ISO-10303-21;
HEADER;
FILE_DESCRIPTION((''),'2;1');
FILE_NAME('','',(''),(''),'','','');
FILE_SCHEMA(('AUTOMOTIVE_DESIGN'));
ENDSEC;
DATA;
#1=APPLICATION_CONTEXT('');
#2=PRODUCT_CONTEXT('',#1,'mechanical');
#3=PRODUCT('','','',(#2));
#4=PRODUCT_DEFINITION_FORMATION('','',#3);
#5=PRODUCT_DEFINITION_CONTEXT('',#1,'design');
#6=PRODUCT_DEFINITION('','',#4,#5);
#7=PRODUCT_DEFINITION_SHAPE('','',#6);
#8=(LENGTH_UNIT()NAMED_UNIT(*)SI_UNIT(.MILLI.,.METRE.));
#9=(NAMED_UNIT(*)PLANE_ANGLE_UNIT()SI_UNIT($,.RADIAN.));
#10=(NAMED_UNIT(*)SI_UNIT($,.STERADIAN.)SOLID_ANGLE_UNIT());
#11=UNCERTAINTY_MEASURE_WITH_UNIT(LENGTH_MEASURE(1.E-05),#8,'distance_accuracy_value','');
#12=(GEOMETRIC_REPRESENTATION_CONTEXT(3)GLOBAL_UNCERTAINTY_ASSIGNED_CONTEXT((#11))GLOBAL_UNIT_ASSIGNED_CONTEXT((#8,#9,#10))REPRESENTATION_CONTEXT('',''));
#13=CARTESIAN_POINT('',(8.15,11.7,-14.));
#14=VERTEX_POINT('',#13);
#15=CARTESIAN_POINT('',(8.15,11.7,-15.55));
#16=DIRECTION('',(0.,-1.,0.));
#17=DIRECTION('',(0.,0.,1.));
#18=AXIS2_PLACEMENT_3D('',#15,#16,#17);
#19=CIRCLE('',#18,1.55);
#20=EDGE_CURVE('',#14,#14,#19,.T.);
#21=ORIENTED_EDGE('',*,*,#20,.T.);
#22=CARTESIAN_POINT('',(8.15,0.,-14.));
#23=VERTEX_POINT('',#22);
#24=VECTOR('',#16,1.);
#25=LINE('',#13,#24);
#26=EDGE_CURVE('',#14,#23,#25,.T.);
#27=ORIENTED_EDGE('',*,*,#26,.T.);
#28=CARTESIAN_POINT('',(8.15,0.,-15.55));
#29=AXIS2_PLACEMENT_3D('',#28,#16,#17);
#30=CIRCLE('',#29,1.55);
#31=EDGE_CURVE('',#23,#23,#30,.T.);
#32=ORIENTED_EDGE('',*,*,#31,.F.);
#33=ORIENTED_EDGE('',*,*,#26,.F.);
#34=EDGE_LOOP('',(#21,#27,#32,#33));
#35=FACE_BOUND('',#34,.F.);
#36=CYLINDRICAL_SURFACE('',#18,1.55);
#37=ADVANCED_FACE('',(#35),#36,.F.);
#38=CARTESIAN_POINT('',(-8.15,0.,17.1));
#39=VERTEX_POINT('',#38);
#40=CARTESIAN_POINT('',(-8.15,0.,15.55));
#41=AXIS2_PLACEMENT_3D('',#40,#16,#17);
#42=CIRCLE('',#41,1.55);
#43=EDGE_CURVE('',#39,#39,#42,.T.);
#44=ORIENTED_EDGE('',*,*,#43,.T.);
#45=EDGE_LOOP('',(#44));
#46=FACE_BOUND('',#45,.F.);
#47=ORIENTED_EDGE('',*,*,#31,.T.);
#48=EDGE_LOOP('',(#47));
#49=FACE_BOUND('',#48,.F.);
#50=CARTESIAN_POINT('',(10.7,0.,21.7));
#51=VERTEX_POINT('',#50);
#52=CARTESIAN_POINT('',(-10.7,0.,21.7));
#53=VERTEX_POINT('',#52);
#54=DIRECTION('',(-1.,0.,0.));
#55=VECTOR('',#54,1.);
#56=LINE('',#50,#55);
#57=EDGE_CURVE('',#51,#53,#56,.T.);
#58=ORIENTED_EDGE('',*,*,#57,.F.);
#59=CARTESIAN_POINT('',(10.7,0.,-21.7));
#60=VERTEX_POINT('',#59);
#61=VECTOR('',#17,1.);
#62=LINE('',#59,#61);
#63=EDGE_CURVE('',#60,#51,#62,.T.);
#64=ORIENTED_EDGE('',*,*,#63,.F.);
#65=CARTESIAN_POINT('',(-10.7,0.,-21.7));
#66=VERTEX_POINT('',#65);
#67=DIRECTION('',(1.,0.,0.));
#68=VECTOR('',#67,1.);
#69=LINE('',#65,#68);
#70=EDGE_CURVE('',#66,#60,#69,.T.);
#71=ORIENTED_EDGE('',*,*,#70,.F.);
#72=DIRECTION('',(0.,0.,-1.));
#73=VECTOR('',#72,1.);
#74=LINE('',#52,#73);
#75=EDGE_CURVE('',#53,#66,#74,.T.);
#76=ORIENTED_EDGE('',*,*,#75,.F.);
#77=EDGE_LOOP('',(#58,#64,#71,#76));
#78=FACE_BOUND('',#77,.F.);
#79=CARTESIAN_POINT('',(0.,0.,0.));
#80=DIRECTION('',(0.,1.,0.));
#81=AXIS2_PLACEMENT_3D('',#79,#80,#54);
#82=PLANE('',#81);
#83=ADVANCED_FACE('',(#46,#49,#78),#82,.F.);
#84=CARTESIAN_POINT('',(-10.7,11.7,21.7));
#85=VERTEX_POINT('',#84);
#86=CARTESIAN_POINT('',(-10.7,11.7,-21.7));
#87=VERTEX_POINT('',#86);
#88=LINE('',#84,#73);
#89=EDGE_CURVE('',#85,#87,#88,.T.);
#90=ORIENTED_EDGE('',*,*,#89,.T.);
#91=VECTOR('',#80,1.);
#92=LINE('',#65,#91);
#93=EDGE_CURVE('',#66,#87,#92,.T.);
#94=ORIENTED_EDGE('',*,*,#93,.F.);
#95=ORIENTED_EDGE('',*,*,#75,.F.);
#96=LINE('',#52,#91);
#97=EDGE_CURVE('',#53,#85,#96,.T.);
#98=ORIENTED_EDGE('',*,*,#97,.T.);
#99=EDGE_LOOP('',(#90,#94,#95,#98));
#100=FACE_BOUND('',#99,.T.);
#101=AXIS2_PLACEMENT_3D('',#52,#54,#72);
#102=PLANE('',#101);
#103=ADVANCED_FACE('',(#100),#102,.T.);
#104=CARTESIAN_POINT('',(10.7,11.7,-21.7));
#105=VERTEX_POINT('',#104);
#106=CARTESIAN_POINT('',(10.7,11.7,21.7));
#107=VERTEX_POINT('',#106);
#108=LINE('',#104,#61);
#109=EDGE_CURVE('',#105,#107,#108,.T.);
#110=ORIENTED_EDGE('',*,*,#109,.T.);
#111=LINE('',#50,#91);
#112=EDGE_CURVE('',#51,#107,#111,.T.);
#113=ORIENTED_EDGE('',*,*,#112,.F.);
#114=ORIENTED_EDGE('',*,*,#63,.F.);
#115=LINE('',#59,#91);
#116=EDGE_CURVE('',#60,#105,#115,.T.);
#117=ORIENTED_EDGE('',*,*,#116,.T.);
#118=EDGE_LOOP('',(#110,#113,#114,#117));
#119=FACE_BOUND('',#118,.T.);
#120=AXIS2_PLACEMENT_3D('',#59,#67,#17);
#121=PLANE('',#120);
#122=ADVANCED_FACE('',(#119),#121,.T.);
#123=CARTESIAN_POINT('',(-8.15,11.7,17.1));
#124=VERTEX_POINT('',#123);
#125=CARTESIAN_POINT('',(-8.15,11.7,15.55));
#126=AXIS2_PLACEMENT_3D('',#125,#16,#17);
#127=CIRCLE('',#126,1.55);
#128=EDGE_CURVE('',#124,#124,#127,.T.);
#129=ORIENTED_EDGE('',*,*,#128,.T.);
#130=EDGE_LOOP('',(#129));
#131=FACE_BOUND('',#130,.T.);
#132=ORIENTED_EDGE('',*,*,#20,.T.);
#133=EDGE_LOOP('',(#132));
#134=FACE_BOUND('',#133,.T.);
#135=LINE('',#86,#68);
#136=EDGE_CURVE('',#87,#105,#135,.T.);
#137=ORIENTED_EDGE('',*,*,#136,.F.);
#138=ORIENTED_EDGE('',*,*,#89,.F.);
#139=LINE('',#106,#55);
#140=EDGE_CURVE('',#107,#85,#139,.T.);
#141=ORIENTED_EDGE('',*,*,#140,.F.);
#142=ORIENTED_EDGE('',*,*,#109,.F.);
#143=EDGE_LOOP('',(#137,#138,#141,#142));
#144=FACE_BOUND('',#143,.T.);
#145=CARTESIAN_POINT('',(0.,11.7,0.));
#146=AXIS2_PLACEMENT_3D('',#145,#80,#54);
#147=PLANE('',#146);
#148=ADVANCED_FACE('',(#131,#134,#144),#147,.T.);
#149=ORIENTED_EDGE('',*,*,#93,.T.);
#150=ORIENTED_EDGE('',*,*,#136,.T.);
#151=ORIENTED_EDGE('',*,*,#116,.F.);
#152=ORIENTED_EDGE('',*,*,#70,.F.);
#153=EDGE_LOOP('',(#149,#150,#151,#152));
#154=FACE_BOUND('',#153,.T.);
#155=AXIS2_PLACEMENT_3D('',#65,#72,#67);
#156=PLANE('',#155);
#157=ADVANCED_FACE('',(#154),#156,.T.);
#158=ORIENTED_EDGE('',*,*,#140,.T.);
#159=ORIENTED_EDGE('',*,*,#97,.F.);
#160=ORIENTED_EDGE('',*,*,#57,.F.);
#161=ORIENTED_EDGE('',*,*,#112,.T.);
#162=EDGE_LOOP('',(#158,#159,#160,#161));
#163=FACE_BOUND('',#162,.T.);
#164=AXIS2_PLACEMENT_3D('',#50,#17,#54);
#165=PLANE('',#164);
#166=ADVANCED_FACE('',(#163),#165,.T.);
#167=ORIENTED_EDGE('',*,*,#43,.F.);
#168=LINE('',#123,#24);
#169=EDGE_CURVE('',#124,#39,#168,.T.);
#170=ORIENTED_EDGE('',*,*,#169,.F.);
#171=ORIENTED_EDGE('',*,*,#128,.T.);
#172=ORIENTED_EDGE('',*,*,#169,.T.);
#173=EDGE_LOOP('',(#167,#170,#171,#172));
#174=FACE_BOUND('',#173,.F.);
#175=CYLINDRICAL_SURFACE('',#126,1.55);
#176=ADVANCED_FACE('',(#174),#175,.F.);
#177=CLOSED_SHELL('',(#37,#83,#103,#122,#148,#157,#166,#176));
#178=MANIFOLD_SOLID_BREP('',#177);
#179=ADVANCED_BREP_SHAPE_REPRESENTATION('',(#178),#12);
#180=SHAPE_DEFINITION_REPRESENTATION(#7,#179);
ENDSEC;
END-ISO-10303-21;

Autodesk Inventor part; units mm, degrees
ref_plane "YZ Plane" through (0, 0, 0) normal (1, 0, 0) x (0, 1, 0)
ref_plane "XZ Plane" through (0, 0, 0) normal (0, 1, 0) x (-1, 0, 0)
ref_plane "XY Plane" through (0, 0, 0) normal (0, 0, 1) x (1, 0, 0)
sketch "Boceto1" plane through (0, 0, 0) normal (0, 1, 0) x (-1, 0, 0)
  line L0 (-10.7, 21.7) -> (10.7, 21.7)
  line L1 (10.7, 21.7) -> (10.7, -21.7)
  line L2 (10.7, -21.7) -> (-10.7, -21.7)
  line L3 (-10.7, -21.7) -> (-10.7, 21.7)
  line L4 (-10.7, 21.7) -> (10.7, -21.7) construction
  line L5 (10.7, 21.7) -> (-10.7, -21.7) construction
  point P0 (0, 0)
  dimension "d0" = 21.4
  dimension "d1" = 43.4
extrude "Extrusión1" add sketch "Boceto1" along normal blind 11.7
sketch "Boceto2" plane through (0, 11.7, 0) normal (0, 1, 0) x (1, 0, 0)
  line L0 (10.7, 21.7) -> (-10.7, 21.7) projected
  line L1 (-10.7, 21.7) -> (-10.7, -21.7) projected
  line L2 (-10.7, -21.7) -> (10.7, -21.7) projected
  line L3 (10.7, -21.7) -> (10.7, 21.7) projected
  line L4 (-9.7, 20.7) -> (9.7, 20.7)
  line L5 (9.7, 20.7) -> (9.7, -20.7)
  line L6 (9.7, -20.7) -> (-9.7, -20.7)
  line L7 (-9.7, -20.7) -> (-9.7, 20.7)
  line L8 (-6.25, 17.1) -> (9.7, 17.1)
  line L9 (5.95, -17.1) -> (-9.7, -17.1)
  circle A0 centre (8.15, 15.55) radius 1.55
  circle A1 centre (-8.15, -15.55) radius 1.55
  point P0 (0, 0)
  dimension "d4" = 1
  dimension "d5" = 4.6
  dimension "d6" = 3.1
  dimension "d7" = 3.1
  dimension "d8" = 3.6
hole "Agujero1" at (8.15, 11.7, -15.55) at (-8.15, 11.7, 15.55) direction (0, -1, 0) diameter 3.1 end through all
properties part number "Buck"
